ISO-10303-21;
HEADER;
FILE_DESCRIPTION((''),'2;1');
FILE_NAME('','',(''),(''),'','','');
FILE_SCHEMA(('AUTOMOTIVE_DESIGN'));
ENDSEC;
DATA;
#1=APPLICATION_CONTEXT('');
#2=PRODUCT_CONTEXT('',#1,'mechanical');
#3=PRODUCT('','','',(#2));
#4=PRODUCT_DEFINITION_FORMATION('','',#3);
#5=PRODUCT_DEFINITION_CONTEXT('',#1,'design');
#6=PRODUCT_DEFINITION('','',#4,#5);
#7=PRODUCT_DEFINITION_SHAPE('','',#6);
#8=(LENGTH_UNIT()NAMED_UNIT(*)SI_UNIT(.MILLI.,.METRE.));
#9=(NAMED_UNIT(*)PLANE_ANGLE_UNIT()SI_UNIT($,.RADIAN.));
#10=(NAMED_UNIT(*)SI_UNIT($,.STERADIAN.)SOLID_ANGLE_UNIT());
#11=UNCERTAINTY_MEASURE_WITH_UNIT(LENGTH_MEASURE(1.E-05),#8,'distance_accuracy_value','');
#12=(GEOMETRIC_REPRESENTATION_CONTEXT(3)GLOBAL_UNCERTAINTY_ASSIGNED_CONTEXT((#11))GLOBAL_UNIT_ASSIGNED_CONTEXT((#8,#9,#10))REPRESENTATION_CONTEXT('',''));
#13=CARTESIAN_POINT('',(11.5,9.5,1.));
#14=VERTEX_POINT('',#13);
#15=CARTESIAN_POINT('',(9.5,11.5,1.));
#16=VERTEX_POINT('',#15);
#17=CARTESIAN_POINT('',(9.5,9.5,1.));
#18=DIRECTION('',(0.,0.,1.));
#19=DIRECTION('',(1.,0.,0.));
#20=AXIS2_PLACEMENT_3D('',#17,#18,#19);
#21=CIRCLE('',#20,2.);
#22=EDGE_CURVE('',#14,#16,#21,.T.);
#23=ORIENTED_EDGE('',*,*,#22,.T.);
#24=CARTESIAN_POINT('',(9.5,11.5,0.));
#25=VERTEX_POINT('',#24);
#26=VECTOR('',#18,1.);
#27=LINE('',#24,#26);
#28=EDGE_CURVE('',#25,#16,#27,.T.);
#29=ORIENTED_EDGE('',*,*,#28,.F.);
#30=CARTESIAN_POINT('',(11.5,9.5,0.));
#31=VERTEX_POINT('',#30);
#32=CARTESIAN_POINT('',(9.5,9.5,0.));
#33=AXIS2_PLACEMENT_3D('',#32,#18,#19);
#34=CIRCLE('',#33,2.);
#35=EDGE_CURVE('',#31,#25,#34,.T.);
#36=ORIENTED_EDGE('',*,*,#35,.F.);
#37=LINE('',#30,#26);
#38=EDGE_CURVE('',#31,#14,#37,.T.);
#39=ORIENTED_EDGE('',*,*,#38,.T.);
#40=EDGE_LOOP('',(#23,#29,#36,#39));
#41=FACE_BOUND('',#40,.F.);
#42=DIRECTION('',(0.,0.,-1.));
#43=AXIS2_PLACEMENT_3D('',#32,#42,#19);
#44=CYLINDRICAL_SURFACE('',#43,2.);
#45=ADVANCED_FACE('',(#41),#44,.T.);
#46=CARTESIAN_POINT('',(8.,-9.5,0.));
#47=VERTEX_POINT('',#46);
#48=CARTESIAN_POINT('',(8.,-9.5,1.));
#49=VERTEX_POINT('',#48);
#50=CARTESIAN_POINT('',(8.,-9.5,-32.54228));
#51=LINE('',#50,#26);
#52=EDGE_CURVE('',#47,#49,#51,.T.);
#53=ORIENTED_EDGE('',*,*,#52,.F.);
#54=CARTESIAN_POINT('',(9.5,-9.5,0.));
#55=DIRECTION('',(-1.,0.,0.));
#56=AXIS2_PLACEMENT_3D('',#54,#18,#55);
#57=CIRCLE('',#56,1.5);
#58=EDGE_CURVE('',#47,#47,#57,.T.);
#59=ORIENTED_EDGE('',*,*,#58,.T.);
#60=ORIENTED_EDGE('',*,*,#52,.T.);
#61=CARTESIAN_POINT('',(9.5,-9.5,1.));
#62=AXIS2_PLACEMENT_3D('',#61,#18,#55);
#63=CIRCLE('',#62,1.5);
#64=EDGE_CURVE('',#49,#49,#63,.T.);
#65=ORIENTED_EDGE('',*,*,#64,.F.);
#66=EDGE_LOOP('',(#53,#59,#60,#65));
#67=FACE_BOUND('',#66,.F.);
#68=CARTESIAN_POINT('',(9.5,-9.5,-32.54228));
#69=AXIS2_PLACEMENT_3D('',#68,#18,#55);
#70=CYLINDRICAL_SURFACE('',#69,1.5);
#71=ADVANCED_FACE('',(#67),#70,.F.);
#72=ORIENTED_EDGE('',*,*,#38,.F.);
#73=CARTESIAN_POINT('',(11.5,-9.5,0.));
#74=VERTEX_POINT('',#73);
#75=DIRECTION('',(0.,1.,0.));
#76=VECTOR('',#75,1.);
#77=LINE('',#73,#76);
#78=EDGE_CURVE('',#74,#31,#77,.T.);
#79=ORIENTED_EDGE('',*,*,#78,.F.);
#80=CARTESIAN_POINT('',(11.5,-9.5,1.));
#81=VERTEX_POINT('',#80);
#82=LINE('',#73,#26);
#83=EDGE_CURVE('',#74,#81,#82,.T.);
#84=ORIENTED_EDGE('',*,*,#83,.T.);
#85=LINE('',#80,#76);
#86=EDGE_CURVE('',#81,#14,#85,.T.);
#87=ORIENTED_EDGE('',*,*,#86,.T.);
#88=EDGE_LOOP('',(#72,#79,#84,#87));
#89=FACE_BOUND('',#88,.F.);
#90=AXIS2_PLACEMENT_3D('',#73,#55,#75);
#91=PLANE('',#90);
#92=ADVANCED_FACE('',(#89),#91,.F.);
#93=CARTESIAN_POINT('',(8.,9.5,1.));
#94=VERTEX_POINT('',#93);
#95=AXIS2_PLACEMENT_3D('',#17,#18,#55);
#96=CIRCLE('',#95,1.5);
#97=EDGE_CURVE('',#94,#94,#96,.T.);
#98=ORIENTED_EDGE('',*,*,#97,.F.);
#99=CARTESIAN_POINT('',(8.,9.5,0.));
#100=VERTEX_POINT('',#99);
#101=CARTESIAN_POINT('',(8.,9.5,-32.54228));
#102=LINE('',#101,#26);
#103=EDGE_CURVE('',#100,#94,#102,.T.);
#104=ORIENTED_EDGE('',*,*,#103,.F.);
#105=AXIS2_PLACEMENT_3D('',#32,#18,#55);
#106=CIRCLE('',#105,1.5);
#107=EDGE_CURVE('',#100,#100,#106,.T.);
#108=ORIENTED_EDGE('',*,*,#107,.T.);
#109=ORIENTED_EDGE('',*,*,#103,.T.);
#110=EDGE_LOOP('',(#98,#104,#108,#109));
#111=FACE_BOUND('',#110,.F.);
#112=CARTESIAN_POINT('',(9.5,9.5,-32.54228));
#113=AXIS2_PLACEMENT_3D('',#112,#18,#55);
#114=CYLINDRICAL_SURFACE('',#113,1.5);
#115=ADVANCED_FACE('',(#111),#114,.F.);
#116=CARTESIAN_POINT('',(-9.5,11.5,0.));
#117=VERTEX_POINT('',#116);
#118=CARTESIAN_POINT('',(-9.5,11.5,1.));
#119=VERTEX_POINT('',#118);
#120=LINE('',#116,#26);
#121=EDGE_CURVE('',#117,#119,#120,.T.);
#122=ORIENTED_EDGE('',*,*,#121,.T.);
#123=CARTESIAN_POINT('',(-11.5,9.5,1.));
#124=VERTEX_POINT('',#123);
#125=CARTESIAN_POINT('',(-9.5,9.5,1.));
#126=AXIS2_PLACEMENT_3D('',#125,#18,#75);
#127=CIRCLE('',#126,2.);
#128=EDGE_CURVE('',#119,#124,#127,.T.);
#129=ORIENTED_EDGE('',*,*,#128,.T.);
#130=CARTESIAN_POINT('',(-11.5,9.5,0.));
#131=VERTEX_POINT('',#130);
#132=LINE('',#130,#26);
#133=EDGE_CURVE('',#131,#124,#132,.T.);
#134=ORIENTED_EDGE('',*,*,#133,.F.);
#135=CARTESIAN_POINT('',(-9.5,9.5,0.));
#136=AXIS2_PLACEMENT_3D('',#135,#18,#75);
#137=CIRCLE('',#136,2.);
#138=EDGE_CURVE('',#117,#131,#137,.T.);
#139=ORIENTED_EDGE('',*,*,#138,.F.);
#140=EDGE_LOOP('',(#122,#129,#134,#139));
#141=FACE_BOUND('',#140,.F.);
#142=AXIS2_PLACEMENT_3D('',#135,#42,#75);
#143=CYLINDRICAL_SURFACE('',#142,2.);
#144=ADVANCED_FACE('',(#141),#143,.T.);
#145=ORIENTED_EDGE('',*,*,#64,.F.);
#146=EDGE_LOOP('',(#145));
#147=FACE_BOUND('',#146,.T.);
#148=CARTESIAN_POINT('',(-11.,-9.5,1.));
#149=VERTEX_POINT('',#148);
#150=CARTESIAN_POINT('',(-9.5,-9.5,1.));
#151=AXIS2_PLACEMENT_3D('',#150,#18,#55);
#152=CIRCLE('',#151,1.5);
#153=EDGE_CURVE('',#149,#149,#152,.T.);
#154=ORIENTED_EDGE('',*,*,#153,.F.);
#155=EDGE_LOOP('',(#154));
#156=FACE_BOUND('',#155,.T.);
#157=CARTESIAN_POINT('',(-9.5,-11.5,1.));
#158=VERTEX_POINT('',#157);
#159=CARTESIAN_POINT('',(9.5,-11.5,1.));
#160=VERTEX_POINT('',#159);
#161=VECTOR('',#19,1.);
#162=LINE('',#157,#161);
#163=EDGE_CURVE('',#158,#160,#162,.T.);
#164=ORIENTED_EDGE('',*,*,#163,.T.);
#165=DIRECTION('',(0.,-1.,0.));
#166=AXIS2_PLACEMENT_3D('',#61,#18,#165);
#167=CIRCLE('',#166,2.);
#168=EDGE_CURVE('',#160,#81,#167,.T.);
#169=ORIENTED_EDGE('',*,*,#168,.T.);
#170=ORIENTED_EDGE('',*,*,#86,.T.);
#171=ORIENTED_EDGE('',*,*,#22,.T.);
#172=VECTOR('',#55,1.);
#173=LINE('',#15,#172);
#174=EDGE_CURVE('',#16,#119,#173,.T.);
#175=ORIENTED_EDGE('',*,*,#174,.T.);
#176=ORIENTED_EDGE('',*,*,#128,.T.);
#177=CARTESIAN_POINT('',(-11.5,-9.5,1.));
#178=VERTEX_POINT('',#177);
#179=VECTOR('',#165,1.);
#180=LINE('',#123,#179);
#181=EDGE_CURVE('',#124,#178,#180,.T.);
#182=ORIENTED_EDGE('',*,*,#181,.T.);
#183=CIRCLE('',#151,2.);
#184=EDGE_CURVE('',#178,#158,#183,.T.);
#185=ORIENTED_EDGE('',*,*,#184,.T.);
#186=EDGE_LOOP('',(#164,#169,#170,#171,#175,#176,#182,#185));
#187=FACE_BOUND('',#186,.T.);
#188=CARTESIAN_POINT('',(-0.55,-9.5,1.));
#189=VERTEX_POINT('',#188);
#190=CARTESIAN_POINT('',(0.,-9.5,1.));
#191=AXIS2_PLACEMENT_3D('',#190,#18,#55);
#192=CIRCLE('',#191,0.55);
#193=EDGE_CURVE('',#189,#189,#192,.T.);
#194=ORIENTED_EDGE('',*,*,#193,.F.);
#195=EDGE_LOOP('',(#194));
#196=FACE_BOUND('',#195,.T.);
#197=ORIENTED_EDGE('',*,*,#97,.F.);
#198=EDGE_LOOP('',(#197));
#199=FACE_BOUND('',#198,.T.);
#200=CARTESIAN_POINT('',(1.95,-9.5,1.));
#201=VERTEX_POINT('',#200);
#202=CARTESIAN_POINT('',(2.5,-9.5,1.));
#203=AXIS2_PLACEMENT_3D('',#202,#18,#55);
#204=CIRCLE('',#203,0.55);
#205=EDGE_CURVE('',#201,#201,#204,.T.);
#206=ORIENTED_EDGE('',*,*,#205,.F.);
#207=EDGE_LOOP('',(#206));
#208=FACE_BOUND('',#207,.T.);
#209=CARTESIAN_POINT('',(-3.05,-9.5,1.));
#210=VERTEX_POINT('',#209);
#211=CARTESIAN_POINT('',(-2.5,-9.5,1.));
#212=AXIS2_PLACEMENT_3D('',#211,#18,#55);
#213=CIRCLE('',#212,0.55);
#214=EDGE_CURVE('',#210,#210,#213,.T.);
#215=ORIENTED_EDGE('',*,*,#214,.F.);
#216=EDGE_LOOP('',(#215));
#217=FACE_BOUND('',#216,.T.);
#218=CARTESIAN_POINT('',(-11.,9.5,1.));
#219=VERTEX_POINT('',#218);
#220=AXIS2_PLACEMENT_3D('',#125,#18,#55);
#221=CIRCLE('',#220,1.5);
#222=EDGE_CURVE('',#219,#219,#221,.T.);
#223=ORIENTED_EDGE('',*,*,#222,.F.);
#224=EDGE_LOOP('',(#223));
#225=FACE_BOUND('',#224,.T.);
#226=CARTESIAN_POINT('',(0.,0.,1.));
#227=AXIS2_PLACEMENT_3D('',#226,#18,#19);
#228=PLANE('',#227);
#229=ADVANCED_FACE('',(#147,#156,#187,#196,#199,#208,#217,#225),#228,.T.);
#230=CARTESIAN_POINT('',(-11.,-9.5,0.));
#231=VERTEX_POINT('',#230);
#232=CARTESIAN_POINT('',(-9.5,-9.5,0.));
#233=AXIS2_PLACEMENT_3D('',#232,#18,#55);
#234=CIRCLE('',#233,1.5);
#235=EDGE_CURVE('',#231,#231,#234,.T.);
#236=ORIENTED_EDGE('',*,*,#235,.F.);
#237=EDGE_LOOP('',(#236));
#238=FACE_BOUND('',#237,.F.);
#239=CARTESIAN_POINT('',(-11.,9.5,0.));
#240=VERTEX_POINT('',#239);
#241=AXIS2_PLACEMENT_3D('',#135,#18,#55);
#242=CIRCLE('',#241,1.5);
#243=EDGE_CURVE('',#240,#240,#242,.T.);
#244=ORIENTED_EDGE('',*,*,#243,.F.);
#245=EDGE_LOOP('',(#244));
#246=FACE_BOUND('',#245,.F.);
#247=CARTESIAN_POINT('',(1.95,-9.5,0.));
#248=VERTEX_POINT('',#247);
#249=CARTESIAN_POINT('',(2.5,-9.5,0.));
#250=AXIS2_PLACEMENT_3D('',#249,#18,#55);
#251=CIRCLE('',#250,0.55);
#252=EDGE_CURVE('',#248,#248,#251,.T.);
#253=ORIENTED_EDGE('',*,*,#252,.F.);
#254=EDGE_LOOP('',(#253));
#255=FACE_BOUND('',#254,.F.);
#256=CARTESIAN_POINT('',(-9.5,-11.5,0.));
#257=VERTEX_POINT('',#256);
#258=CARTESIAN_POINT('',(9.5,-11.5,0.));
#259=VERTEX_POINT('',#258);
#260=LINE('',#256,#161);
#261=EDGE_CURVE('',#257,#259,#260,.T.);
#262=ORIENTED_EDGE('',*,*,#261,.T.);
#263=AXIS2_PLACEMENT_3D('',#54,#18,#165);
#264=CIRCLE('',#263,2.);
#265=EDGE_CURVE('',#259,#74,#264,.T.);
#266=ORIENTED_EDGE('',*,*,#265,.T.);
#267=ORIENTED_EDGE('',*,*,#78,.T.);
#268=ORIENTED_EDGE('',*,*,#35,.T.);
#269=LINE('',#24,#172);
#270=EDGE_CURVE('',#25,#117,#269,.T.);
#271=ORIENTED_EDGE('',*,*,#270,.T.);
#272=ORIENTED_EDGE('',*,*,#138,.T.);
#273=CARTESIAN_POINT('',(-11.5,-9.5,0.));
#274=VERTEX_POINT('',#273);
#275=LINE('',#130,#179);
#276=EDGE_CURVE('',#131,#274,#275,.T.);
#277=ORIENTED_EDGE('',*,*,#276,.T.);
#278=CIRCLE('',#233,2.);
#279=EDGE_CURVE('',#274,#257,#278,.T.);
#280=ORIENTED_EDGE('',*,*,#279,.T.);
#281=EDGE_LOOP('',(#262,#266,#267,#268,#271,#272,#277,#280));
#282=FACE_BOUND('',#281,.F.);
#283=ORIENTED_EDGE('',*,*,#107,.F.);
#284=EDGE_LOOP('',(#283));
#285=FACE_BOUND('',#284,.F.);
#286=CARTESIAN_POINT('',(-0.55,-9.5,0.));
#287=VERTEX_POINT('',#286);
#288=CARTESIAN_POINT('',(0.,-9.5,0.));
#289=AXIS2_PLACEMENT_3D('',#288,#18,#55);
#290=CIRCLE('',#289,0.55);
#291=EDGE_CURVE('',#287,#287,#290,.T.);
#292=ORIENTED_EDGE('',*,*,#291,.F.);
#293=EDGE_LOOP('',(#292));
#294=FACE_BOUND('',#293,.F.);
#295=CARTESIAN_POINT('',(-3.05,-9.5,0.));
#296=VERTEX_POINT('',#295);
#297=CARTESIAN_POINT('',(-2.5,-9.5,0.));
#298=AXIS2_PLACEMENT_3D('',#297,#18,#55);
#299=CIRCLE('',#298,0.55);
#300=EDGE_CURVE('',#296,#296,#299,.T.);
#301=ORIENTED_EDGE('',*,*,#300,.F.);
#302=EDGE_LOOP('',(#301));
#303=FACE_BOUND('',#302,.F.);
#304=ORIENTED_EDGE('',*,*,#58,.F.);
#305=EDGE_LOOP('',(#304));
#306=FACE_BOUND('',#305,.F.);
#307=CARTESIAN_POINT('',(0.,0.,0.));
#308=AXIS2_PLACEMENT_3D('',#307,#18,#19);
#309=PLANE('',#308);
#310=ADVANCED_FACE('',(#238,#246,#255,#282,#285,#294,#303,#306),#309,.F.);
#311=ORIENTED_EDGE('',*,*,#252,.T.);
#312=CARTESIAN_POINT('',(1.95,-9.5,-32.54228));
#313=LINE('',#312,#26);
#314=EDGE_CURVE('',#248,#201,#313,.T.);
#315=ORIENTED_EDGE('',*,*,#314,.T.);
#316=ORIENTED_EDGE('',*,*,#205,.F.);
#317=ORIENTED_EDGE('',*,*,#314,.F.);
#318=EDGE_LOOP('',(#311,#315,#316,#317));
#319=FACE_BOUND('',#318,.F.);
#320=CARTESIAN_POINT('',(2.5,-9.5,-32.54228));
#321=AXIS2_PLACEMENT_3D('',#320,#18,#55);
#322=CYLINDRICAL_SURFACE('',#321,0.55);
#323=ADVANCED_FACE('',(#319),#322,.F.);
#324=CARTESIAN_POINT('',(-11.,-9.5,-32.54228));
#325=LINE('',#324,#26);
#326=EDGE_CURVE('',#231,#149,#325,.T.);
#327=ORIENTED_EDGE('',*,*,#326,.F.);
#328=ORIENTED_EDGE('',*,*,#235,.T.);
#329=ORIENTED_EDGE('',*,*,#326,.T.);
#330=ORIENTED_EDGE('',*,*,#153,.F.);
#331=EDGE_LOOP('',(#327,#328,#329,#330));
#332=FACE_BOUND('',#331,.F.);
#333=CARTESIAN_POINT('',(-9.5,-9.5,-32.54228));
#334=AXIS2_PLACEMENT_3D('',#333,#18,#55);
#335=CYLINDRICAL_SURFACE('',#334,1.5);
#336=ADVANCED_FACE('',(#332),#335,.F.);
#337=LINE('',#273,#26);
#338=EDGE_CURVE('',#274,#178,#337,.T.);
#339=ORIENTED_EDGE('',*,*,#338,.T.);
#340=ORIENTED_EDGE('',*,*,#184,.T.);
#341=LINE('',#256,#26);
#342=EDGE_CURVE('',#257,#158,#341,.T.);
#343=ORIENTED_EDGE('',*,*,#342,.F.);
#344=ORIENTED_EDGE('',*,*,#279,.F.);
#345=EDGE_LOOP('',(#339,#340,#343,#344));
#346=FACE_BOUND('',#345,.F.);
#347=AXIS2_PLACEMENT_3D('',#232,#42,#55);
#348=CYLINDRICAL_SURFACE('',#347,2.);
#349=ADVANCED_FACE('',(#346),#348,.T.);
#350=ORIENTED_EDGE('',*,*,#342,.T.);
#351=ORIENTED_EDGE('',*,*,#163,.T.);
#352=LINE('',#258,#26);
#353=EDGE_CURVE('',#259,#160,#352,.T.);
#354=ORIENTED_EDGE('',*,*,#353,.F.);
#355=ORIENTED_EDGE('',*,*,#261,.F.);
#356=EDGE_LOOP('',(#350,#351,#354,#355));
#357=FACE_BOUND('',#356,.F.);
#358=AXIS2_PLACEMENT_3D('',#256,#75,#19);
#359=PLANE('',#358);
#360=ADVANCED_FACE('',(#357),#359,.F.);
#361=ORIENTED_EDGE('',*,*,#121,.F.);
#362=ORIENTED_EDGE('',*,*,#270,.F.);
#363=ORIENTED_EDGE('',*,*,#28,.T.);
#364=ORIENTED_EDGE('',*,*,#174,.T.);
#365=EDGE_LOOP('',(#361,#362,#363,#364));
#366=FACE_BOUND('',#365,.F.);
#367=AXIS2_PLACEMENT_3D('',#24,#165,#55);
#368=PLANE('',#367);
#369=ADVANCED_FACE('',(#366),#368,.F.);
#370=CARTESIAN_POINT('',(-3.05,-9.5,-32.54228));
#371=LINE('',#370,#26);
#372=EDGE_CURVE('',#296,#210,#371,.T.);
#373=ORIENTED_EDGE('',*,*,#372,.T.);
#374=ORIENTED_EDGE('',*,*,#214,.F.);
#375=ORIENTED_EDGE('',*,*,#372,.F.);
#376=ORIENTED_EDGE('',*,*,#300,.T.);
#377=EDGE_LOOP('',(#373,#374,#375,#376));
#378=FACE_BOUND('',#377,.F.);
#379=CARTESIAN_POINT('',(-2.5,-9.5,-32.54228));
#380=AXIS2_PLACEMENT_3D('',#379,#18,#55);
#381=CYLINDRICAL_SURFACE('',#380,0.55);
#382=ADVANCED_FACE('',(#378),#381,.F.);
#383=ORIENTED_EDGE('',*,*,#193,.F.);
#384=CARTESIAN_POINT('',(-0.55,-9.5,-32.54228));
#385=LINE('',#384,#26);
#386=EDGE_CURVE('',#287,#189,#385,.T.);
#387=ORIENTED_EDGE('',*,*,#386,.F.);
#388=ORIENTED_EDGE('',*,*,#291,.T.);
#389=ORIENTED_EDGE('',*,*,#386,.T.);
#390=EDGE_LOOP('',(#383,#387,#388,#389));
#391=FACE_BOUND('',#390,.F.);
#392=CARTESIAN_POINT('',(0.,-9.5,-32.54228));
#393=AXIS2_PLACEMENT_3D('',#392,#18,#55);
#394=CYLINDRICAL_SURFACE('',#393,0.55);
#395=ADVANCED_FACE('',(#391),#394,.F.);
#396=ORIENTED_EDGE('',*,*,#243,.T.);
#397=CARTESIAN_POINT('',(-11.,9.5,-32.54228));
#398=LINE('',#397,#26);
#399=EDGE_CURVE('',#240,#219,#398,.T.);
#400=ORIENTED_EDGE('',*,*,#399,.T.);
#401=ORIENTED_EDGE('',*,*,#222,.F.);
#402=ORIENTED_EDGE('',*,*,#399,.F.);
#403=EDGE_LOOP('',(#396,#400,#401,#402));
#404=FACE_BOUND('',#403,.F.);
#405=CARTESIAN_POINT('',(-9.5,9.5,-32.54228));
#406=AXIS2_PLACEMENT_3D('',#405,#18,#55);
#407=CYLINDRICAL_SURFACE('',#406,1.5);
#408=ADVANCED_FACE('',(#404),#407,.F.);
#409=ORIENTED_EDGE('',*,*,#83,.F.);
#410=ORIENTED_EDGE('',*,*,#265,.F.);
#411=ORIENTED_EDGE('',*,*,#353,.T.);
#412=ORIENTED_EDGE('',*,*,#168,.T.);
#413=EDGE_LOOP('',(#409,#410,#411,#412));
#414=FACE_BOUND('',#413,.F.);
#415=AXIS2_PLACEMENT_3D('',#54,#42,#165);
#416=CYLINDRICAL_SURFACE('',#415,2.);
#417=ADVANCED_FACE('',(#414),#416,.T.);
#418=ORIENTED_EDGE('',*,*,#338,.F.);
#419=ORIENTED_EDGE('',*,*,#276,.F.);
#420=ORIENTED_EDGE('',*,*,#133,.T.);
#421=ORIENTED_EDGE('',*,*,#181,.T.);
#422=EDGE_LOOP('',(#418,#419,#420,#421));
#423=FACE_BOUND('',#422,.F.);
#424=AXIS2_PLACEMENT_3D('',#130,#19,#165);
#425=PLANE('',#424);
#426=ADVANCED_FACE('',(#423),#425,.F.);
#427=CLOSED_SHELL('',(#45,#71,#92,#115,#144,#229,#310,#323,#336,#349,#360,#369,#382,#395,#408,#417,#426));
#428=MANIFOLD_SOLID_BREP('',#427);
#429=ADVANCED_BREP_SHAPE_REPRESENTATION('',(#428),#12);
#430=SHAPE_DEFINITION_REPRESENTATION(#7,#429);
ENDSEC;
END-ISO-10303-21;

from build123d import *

# Parameters (mm, degrees)
F1_DEPTH = 1
F2_D     = 3
F3_D     = 1.1


with BuildPart() as f1:
    # F0 (on Top) → F1 (new body)
    with BuildSketch(Plane.XY):
        with BuildLine():
            Line((-9.5, -11.5), (9.5, -11.5))
            ThreePointArc((9.5, -11.5), (10.9142135624, -10.9142135624), (11.5, -9.5))
            Line((11.5, -9.5), (11.5, 9.5))
            ThreePointArc((11.5, 9.5), (10.9142135624, 10.9142135624), (9.5, 11.5))
            Line((9.5, 11.5), (-9.5, 11.5))
            ThreePointArc((-9.5, 11.5), (-10.9142135624, 10.9142135624), (-11.5, 9.5))
            Line((-11.5, 9.5), (-11.5, -9.5))
            ThreePointArc((-11.5, -9.5), (-10.9142135624, -10.9142135624), (-9.5, -11.5))
        make_face()
    extrude(amount=F1_DEPTH)

    # F2 (through all)
    with Locations(Plane(origin=(0, 0, 0), x_dir=(1, 0, 0), z_dir=(0, 0, -1))):
        with Locations((-9.5, -9.5), (9.5, -9.5), (9.5, 9.5), (-9.5, 9.5)):
            Hole(F2_D / 2)

    # F3 (through all)
    with Locations(Plane(origin=(0, 0, 0), x_dir=(1, 0, 0), z_dir=(0, 0, -1))):
        with Locations((-2.5, 9.5), (0, 9.5), (2.5, 9.5)):
            Hole(F3_D / 2)


solid = f1.part
